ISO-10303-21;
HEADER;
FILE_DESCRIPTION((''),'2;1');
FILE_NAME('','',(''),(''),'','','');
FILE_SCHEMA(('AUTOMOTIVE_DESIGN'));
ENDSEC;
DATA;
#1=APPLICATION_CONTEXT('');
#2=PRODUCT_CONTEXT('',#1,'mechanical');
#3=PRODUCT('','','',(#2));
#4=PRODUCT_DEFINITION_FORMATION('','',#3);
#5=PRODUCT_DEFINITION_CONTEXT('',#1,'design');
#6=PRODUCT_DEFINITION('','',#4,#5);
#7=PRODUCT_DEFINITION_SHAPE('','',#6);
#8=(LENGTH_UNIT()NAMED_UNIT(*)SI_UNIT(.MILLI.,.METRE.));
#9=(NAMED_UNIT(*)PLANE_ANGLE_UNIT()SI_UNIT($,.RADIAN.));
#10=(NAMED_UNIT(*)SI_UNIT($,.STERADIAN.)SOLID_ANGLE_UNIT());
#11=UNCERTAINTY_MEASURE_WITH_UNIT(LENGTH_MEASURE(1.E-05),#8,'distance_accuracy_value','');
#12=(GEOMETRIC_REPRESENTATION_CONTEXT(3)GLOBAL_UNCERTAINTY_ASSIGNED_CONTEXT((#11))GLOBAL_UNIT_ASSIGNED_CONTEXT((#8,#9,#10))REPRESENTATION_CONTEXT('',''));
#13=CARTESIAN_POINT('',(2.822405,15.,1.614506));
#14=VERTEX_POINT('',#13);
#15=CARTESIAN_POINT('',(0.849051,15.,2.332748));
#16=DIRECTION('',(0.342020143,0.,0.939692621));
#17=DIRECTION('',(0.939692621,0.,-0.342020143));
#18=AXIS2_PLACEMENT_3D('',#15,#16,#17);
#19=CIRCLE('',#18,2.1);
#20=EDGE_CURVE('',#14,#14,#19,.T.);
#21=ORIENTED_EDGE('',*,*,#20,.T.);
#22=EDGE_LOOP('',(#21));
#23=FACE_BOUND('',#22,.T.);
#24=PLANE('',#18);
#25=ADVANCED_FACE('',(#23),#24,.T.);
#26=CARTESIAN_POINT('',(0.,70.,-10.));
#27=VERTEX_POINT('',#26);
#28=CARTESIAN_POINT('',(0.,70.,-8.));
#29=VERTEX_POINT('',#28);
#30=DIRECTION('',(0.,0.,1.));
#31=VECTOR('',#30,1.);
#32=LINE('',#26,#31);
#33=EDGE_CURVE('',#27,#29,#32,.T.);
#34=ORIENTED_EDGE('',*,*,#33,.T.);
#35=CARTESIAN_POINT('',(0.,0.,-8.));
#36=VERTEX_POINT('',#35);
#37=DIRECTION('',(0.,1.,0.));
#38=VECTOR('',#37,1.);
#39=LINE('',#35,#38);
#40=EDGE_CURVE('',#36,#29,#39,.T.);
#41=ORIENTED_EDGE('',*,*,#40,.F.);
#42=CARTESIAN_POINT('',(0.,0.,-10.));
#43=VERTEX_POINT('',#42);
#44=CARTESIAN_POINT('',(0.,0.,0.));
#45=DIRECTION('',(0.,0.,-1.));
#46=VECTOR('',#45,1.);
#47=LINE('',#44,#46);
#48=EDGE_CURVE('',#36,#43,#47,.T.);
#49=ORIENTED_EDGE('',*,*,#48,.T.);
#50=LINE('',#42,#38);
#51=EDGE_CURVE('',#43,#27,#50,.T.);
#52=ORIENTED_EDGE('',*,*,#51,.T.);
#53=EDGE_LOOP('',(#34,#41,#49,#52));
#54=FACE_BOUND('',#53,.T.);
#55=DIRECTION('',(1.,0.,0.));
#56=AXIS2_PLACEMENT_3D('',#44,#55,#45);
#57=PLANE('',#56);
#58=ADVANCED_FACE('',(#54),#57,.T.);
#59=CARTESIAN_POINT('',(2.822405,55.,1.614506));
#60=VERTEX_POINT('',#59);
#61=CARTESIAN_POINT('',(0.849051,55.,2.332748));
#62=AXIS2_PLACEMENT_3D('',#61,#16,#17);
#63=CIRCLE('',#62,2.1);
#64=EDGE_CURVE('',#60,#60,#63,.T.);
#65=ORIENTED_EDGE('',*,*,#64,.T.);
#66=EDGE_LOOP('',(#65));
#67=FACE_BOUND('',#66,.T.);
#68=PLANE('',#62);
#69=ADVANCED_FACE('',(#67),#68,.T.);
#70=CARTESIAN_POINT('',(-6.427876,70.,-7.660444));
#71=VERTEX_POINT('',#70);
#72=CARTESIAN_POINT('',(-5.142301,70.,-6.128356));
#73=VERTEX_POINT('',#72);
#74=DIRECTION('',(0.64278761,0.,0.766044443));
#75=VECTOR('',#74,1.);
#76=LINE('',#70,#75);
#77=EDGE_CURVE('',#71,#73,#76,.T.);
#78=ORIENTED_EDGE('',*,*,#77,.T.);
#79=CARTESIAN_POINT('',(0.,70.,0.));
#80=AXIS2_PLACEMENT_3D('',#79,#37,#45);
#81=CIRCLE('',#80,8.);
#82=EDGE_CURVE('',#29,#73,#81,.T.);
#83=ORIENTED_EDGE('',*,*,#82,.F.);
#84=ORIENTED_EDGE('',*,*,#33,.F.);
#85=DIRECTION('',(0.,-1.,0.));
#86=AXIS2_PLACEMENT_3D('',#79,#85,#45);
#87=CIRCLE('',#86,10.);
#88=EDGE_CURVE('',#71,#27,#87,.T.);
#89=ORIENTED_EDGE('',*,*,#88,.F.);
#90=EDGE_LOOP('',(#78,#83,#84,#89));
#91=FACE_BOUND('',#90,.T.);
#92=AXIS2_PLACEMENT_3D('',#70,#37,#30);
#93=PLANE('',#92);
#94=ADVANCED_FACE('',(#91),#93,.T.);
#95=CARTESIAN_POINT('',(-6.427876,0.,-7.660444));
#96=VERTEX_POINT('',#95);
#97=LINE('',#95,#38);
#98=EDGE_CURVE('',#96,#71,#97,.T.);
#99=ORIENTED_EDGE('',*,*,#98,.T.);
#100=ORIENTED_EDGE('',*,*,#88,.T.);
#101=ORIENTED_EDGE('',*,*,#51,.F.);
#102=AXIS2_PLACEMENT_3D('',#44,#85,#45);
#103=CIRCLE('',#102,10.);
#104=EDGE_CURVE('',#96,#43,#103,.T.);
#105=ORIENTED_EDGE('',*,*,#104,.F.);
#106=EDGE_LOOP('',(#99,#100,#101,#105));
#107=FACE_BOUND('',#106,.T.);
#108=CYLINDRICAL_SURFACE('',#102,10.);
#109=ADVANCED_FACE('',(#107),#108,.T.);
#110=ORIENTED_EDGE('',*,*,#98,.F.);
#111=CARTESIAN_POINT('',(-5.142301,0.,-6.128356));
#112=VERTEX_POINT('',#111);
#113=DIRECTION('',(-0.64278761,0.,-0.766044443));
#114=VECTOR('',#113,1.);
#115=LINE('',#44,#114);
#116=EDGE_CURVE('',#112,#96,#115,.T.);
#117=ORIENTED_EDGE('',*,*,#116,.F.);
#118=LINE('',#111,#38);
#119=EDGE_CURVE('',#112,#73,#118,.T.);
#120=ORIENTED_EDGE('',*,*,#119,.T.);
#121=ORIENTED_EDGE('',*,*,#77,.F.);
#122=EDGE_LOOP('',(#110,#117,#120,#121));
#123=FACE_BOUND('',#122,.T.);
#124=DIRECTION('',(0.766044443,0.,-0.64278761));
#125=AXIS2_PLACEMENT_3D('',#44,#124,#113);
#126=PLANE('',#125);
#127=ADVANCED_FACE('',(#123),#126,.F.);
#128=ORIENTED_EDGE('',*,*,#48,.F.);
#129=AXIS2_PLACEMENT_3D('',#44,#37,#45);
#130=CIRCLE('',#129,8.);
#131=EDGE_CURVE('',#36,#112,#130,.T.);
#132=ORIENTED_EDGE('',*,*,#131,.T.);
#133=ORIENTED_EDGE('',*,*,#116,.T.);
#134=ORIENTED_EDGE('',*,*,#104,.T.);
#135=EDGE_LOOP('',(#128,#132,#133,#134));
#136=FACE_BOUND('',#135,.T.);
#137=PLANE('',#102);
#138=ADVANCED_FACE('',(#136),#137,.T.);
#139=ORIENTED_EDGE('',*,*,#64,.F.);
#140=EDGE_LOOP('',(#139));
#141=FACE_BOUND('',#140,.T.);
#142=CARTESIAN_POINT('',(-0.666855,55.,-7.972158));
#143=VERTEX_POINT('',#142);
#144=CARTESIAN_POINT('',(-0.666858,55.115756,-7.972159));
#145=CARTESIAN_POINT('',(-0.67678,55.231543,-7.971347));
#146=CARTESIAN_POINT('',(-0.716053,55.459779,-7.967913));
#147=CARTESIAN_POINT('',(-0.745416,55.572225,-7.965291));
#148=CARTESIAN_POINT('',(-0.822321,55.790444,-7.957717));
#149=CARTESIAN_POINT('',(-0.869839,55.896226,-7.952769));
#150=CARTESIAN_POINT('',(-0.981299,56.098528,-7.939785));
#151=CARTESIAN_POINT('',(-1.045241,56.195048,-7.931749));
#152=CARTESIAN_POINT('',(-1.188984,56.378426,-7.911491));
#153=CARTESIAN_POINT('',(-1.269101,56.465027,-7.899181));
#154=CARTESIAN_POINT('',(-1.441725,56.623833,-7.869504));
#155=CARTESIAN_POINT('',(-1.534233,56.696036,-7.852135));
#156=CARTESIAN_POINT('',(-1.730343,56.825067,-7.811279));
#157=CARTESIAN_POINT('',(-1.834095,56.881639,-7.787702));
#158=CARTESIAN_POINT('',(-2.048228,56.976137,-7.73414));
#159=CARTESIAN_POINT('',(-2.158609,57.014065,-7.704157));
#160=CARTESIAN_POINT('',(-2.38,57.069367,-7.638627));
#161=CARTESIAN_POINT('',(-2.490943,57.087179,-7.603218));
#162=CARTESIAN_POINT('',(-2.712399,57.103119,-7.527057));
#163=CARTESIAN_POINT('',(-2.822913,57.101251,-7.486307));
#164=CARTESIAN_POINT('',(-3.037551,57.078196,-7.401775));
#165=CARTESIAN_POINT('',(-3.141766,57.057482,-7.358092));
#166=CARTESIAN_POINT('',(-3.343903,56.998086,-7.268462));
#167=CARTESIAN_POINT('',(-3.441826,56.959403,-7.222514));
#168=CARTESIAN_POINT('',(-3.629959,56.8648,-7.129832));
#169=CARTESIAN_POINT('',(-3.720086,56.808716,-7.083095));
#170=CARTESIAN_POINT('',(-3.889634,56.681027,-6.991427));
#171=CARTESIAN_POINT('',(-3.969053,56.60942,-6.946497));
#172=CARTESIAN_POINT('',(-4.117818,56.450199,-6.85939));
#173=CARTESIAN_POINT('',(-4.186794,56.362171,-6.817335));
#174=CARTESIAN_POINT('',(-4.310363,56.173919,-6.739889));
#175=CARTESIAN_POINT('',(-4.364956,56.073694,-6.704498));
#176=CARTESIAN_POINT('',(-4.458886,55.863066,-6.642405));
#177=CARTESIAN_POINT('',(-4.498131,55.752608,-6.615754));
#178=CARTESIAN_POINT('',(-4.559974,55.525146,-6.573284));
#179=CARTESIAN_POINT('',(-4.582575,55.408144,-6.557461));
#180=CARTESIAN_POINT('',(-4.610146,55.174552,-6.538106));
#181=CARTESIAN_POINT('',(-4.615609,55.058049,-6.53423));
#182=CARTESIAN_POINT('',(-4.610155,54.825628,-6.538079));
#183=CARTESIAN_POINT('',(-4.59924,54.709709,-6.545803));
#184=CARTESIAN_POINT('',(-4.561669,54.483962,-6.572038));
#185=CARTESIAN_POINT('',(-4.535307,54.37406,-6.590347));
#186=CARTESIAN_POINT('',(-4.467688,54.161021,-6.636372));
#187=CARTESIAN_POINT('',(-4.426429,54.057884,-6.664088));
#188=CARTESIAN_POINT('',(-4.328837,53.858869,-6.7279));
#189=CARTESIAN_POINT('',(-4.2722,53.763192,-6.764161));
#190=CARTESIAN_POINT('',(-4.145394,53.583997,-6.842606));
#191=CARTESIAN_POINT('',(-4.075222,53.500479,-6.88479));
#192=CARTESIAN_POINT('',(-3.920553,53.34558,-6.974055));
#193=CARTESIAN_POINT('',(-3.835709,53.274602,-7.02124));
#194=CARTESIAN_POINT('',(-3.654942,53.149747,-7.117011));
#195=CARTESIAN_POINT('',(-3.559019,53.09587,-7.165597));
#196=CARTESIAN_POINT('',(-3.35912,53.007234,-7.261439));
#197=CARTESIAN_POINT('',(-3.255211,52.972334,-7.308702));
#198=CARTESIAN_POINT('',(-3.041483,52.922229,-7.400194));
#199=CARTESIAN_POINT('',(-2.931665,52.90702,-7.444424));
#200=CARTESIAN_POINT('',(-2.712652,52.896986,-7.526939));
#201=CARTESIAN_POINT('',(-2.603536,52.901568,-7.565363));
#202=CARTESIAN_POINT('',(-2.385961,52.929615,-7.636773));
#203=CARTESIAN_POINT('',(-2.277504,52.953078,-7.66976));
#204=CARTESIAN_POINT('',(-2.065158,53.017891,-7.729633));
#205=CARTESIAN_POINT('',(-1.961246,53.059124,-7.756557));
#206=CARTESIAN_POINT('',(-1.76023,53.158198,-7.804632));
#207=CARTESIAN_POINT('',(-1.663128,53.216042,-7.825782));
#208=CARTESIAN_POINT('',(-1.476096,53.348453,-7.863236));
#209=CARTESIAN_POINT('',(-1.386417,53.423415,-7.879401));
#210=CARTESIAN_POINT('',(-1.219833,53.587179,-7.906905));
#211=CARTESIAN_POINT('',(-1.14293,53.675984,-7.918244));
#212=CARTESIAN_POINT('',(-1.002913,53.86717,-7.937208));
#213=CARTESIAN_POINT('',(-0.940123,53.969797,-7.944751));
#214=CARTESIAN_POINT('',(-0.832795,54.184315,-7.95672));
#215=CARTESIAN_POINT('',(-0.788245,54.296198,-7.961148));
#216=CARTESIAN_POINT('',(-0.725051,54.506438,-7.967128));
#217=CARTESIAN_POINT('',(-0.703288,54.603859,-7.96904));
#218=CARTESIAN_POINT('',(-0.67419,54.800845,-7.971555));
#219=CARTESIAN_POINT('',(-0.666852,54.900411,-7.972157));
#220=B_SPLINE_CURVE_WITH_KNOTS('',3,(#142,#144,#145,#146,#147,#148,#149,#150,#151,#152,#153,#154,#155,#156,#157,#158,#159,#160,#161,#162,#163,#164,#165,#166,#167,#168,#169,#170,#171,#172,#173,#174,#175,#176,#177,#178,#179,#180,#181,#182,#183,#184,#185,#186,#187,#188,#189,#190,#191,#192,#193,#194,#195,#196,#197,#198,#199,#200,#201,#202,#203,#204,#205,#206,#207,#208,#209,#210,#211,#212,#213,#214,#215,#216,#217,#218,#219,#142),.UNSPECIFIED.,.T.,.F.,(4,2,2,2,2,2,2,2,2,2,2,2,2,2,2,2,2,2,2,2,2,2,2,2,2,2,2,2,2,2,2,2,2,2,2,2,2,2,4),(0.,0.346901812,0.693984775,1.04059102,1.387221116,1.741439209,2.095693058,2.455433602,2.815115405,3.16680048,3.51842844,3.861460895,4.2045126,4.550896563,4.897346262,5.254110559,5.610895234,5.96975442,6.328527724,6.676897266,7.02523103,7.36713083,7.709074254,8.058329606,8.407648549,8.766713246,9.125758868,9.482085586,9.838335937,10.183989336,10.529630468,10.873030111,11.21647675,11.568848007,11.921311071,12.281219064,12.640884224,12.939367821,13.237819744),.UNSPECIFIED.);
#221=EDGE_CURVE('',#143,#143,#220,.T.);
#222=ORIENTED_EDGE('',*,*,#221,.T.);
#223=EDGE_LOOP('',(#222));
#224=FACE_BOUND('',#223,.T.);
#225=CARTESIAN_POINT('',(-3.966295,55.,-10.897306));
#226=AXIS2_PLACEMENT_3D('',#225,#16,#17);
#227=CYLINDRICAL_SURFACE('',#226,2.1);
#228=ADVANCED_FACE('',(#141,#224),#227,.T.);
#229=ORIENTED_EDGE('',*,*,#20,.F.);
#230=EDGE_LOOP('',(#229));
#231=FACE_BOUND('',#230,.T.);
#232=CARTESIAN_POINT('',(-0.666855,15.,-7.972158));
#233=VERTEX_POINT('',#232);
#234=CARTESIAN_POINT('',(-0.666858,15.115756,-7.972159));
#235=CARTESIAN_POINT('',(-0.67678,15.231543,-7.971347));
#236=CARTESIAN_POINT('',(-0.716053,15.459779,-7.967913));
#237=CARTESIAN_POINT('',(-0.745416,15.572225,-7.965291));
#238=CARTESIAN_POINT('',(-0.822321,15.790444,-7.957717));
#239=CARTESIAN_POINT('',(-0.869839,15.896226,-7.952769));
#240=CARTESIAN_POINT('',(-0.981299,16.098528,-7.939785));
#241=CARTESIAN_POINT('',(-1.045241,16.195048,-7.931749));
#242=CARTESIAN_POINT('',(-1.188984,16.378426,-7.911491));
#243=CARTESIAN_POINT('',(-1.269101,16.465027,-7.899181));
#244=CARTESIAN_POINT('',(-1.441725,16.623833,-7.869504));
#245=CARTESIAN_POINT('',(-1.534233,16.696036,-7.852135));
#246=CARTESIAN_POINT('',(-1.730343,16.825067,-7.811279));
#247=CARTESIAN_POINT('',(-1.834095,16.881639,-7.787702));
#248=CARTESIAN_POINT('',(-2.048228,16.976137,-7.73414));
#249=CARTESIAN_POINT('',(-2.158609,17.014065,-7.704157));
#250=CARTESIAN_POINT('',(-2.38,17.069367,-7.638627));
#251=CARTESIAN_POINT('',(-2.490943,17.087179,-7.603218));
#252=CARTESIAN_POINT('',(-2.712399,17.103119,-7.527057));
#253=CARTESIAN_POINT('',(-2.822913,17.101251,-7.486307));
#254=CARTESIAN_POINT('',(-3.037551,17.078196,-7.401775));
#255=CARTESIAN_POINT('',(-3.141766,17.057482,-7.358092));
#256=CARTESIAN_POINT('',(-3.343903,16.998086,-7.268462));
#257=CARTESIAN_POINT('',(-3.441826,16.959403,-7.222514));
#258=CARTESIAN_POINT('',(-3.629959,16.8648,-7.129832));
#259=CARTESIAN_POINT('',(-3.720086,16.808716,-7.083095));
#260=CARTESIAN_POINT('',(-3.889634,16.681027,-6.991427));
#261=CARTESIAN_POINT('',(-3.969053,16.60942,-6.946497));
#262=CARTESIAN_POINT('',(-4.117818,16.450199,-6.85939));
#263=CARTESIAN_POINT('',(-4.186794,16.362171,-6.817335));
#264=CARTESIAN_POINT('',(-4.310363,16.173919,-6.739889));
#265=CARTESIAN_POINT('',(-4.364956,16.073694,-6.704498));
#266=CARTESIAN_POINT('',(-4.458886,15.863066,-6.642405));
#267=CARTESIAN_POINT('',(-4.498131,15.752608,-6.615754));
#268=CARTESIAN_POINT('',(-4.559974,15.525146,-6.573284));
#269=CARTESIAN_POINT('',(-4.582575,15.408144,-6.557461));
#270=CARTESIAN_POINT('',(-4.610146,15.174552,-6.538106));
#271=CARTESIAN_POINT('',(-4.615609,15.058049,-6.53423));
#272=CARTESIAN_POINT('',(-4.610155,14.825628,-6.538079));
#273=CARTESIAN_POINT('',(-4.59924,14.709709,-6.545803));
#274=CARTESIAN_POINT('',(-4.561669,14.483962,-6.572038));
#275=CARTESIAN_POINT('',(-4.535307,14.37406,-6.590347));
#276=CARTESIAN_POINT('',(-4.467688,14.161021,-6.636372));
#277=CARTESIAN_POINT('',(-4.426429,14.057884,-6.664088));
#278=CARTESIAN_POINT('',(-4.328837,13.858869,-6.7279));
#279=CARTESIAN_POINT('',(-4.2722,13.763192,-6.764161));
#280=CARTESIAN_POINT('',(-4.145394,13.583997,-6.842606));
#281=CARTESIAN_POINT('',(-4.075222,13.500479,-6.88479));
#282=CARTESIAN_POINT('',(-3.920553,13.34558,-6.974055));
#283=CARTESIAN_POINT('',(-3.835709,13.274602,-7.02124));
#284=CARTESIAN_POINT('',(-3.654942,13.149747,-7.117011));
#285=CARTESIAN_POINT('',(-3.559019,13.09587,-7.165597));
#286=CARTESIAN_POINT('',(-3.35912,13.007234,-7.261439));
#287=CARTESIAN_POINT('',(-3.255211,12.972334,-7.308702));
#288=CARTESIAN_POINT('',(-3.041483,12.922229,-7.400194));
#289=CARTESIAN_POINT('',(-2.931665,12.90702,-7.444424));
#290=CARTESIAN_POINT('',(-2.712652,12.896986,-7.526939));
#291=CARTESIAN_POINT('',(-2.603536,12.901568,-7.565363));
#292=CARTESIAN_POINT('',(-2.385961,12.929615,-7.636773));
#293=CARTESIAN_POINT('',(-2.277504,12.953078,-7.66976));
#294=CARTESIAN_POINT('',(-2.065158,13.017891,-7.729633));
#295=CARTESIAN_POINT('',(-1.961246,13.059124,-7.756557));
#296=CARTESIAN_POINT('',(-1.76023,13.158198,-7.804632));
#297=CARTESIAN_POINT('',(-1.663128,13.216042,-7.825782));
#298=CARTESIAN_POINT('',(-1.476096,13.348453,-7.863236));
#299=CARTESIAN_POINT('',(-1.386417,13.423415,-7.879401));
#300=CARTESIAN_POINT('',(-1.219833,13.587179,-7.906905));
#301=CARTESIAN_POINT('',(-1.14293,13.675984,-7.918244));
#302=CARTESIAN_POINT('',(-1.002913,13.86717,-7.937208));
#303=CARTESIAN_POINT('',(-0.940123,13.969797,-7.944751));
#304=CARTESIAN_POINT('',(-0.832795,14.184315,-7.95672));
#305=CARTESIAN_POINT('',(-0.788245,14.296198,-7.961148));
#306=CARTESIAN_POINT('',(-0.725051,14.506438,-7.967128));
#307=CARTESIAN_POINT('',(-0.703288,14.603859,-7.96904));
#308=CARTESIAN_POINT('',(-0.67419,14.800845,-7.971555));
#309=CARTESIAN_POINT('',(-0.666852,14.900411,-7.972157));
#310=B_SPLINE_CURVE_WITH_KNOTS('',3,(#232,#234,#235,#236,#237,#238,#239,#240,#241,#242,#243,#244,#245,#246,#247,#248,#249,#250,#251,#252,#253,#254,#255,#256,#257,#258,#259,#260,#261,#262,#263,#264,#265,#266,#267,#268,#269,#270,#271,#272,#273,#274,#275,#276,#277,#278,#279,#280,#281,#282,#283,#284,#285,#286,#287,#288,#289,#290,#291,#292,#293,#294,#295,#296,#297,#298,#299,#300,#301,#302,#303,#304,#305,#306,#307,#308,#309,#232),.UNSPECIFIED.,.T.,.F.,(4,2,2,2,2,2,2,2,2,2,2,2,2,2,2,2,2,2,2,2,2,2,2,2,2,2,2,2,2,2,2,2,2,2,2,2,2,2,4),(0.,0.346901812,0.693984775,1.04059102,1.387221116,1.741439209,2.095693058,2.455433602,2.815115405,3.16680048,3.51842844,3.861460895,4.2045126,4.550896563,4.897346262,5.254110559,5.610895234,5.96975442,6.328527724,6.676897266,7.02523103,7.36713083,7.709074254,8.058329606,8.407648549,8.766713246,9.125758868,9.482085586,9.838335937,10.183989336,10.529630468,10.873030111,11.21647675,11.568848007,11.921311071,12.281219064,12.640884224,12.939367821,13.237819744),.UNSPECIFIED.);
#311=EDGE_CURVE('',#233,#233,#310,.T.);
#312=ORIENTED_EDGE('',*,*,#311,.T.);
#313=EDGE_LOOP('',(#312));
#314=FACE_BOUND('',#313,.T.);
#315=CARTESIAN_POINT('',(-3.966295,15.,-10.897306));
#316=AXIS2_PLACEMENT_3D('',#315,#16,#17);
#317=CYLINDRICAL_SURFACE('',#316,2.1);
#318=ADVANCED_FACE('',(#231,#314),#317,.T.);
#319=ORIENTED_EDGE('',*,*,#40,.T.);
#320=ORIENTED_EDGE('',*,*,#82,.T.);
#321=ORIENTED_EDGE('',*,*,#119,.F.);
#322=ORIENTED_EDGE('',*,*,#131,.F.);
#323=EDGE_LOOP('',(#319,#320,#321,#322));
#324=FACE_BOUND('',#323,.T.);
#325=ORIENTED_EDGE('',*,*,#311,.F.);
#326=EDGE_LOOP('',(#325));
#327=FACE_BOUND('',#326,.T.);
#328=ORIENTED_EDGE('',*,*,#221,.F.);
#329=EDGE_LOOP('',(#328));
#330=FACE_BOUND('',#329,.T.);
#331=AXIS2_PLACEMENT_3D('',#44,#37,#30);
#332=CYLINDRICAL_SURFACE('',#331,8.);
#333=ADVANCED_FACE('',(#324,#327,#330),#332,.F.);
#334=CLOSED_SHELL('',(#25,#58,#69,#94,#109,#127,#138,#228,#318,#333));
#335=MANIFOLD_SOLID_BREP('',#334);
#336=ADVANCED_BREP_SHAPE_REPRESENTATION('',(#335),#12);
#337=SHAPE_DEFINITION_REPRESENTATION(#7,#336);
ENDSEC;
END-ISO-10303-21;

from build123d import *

# Parameters (mm, degrees)
SKETCH1_W                = 10
SKETCH1_H                = 70
REVOLVE1_ANGLE           = 40
CUT_EXTRUDE1_DEPTH       = 72.002236522
BOSS_EXTRUDE1_REACH      = 73.45
BOSS_EXTRUDE1_END_RADIUS = 8
SKETCH4_R                = 2.1


with BuildPart() as part:
    # Sketch1 → Revolve1 (revolve)
    with BuildSketch(Plane(origin=(0, 0, 0), x_dir=(0, 0, -1), z_dir=(1, 0, 0))):
        with Locations((5, 35)):
            Rectangle(SKETCH1_W, SKETCH1_H)
    revolve(axis=Axis((0, 0, 0), (0, 1, 0)), revolution_arc=REVOLVE1_ANGLE)

    # Sketch2 → Cut-Extrude1 (cut, through all)
    with BuildSketch(Plane(origin=(0, 70, 0), x_dir=(1, 0, 0), z_dir=(0, 1, 0))):
        with BuildLine():
            Line((-5.142300877, 6.128355545), (0, 0))
            Line((0, 0), (0, 8))
            ThreePointArc((0, 8), (-2.736161147, 7.517540966), (-5.142300877, 6.128355545))
        make_face()
    extrude(amount=-CUT_EXTRUDE1_DEPTH, mode=Mode.SUBTRACT)

    # Boss-Extrude1: up to this cylinder (the profile starts inside it)
    boss_extrude1_end = Plane(origin=(0, 35, 0), z_dir=(0, 1, 0)) * Cylinder(BOSS_EXTRUDE1_END_RADIUS, 203.9, mode=Mode.PRIVATE)
    # Sketch4 → Boss-Extrude1 (add, up to the surface)
    with BuildSketch(Plane(origin=(0.849050995, 0, 2.332748435), x_dir=(0.9396926207859081, 0, -0.34202014332566977), z_dir=(0.34202014332566977, 0, 0.9396926207859081)), mode=Mode.PRIVATE) as boss_extrude1_sk1:
        with Locations((0, 55)):
            Circle(SKETCH4_R)
    boss_extrude1_tool1 = extrude(boss_extrude1_sk1.sketch, amount=-BOSS_EXTRUDE1_REACH, mode=Mode.PRIVATE) & boss_extrude1_end
    add(boss_extrude1_tool1.solids().sort_by_distance((0.849051, 55, 2.332748))[0])
    # Sketch4 → Boss-Extrude1 (add, up to the surface)
    with BuildSketch(Plane(origin=(0.849050995, 0, 2.332748435), x_dir=(0.9396926207859081, 0, -0.34202014332566977), z_dir=(0.34202014332566977, 0, 0.9396926207859081)), mode=Mode.PRIVATE) as boss_extrude1_sk2:
        with Locations((0, 15)):
            Circle(SKETCH4_R)
    boss_extrude1_tool2 = extrude(boss_extrude1_sk2.sketch, amount=-BOSS_EXTRUDE1_REACH, mode=Mode.PRIVATE) & boss_extrude1_end
    add(boss_extrude1_tool2.solids().sort_by_distance((0.849051, 15, 2.332748))[0])


solid = part.part
